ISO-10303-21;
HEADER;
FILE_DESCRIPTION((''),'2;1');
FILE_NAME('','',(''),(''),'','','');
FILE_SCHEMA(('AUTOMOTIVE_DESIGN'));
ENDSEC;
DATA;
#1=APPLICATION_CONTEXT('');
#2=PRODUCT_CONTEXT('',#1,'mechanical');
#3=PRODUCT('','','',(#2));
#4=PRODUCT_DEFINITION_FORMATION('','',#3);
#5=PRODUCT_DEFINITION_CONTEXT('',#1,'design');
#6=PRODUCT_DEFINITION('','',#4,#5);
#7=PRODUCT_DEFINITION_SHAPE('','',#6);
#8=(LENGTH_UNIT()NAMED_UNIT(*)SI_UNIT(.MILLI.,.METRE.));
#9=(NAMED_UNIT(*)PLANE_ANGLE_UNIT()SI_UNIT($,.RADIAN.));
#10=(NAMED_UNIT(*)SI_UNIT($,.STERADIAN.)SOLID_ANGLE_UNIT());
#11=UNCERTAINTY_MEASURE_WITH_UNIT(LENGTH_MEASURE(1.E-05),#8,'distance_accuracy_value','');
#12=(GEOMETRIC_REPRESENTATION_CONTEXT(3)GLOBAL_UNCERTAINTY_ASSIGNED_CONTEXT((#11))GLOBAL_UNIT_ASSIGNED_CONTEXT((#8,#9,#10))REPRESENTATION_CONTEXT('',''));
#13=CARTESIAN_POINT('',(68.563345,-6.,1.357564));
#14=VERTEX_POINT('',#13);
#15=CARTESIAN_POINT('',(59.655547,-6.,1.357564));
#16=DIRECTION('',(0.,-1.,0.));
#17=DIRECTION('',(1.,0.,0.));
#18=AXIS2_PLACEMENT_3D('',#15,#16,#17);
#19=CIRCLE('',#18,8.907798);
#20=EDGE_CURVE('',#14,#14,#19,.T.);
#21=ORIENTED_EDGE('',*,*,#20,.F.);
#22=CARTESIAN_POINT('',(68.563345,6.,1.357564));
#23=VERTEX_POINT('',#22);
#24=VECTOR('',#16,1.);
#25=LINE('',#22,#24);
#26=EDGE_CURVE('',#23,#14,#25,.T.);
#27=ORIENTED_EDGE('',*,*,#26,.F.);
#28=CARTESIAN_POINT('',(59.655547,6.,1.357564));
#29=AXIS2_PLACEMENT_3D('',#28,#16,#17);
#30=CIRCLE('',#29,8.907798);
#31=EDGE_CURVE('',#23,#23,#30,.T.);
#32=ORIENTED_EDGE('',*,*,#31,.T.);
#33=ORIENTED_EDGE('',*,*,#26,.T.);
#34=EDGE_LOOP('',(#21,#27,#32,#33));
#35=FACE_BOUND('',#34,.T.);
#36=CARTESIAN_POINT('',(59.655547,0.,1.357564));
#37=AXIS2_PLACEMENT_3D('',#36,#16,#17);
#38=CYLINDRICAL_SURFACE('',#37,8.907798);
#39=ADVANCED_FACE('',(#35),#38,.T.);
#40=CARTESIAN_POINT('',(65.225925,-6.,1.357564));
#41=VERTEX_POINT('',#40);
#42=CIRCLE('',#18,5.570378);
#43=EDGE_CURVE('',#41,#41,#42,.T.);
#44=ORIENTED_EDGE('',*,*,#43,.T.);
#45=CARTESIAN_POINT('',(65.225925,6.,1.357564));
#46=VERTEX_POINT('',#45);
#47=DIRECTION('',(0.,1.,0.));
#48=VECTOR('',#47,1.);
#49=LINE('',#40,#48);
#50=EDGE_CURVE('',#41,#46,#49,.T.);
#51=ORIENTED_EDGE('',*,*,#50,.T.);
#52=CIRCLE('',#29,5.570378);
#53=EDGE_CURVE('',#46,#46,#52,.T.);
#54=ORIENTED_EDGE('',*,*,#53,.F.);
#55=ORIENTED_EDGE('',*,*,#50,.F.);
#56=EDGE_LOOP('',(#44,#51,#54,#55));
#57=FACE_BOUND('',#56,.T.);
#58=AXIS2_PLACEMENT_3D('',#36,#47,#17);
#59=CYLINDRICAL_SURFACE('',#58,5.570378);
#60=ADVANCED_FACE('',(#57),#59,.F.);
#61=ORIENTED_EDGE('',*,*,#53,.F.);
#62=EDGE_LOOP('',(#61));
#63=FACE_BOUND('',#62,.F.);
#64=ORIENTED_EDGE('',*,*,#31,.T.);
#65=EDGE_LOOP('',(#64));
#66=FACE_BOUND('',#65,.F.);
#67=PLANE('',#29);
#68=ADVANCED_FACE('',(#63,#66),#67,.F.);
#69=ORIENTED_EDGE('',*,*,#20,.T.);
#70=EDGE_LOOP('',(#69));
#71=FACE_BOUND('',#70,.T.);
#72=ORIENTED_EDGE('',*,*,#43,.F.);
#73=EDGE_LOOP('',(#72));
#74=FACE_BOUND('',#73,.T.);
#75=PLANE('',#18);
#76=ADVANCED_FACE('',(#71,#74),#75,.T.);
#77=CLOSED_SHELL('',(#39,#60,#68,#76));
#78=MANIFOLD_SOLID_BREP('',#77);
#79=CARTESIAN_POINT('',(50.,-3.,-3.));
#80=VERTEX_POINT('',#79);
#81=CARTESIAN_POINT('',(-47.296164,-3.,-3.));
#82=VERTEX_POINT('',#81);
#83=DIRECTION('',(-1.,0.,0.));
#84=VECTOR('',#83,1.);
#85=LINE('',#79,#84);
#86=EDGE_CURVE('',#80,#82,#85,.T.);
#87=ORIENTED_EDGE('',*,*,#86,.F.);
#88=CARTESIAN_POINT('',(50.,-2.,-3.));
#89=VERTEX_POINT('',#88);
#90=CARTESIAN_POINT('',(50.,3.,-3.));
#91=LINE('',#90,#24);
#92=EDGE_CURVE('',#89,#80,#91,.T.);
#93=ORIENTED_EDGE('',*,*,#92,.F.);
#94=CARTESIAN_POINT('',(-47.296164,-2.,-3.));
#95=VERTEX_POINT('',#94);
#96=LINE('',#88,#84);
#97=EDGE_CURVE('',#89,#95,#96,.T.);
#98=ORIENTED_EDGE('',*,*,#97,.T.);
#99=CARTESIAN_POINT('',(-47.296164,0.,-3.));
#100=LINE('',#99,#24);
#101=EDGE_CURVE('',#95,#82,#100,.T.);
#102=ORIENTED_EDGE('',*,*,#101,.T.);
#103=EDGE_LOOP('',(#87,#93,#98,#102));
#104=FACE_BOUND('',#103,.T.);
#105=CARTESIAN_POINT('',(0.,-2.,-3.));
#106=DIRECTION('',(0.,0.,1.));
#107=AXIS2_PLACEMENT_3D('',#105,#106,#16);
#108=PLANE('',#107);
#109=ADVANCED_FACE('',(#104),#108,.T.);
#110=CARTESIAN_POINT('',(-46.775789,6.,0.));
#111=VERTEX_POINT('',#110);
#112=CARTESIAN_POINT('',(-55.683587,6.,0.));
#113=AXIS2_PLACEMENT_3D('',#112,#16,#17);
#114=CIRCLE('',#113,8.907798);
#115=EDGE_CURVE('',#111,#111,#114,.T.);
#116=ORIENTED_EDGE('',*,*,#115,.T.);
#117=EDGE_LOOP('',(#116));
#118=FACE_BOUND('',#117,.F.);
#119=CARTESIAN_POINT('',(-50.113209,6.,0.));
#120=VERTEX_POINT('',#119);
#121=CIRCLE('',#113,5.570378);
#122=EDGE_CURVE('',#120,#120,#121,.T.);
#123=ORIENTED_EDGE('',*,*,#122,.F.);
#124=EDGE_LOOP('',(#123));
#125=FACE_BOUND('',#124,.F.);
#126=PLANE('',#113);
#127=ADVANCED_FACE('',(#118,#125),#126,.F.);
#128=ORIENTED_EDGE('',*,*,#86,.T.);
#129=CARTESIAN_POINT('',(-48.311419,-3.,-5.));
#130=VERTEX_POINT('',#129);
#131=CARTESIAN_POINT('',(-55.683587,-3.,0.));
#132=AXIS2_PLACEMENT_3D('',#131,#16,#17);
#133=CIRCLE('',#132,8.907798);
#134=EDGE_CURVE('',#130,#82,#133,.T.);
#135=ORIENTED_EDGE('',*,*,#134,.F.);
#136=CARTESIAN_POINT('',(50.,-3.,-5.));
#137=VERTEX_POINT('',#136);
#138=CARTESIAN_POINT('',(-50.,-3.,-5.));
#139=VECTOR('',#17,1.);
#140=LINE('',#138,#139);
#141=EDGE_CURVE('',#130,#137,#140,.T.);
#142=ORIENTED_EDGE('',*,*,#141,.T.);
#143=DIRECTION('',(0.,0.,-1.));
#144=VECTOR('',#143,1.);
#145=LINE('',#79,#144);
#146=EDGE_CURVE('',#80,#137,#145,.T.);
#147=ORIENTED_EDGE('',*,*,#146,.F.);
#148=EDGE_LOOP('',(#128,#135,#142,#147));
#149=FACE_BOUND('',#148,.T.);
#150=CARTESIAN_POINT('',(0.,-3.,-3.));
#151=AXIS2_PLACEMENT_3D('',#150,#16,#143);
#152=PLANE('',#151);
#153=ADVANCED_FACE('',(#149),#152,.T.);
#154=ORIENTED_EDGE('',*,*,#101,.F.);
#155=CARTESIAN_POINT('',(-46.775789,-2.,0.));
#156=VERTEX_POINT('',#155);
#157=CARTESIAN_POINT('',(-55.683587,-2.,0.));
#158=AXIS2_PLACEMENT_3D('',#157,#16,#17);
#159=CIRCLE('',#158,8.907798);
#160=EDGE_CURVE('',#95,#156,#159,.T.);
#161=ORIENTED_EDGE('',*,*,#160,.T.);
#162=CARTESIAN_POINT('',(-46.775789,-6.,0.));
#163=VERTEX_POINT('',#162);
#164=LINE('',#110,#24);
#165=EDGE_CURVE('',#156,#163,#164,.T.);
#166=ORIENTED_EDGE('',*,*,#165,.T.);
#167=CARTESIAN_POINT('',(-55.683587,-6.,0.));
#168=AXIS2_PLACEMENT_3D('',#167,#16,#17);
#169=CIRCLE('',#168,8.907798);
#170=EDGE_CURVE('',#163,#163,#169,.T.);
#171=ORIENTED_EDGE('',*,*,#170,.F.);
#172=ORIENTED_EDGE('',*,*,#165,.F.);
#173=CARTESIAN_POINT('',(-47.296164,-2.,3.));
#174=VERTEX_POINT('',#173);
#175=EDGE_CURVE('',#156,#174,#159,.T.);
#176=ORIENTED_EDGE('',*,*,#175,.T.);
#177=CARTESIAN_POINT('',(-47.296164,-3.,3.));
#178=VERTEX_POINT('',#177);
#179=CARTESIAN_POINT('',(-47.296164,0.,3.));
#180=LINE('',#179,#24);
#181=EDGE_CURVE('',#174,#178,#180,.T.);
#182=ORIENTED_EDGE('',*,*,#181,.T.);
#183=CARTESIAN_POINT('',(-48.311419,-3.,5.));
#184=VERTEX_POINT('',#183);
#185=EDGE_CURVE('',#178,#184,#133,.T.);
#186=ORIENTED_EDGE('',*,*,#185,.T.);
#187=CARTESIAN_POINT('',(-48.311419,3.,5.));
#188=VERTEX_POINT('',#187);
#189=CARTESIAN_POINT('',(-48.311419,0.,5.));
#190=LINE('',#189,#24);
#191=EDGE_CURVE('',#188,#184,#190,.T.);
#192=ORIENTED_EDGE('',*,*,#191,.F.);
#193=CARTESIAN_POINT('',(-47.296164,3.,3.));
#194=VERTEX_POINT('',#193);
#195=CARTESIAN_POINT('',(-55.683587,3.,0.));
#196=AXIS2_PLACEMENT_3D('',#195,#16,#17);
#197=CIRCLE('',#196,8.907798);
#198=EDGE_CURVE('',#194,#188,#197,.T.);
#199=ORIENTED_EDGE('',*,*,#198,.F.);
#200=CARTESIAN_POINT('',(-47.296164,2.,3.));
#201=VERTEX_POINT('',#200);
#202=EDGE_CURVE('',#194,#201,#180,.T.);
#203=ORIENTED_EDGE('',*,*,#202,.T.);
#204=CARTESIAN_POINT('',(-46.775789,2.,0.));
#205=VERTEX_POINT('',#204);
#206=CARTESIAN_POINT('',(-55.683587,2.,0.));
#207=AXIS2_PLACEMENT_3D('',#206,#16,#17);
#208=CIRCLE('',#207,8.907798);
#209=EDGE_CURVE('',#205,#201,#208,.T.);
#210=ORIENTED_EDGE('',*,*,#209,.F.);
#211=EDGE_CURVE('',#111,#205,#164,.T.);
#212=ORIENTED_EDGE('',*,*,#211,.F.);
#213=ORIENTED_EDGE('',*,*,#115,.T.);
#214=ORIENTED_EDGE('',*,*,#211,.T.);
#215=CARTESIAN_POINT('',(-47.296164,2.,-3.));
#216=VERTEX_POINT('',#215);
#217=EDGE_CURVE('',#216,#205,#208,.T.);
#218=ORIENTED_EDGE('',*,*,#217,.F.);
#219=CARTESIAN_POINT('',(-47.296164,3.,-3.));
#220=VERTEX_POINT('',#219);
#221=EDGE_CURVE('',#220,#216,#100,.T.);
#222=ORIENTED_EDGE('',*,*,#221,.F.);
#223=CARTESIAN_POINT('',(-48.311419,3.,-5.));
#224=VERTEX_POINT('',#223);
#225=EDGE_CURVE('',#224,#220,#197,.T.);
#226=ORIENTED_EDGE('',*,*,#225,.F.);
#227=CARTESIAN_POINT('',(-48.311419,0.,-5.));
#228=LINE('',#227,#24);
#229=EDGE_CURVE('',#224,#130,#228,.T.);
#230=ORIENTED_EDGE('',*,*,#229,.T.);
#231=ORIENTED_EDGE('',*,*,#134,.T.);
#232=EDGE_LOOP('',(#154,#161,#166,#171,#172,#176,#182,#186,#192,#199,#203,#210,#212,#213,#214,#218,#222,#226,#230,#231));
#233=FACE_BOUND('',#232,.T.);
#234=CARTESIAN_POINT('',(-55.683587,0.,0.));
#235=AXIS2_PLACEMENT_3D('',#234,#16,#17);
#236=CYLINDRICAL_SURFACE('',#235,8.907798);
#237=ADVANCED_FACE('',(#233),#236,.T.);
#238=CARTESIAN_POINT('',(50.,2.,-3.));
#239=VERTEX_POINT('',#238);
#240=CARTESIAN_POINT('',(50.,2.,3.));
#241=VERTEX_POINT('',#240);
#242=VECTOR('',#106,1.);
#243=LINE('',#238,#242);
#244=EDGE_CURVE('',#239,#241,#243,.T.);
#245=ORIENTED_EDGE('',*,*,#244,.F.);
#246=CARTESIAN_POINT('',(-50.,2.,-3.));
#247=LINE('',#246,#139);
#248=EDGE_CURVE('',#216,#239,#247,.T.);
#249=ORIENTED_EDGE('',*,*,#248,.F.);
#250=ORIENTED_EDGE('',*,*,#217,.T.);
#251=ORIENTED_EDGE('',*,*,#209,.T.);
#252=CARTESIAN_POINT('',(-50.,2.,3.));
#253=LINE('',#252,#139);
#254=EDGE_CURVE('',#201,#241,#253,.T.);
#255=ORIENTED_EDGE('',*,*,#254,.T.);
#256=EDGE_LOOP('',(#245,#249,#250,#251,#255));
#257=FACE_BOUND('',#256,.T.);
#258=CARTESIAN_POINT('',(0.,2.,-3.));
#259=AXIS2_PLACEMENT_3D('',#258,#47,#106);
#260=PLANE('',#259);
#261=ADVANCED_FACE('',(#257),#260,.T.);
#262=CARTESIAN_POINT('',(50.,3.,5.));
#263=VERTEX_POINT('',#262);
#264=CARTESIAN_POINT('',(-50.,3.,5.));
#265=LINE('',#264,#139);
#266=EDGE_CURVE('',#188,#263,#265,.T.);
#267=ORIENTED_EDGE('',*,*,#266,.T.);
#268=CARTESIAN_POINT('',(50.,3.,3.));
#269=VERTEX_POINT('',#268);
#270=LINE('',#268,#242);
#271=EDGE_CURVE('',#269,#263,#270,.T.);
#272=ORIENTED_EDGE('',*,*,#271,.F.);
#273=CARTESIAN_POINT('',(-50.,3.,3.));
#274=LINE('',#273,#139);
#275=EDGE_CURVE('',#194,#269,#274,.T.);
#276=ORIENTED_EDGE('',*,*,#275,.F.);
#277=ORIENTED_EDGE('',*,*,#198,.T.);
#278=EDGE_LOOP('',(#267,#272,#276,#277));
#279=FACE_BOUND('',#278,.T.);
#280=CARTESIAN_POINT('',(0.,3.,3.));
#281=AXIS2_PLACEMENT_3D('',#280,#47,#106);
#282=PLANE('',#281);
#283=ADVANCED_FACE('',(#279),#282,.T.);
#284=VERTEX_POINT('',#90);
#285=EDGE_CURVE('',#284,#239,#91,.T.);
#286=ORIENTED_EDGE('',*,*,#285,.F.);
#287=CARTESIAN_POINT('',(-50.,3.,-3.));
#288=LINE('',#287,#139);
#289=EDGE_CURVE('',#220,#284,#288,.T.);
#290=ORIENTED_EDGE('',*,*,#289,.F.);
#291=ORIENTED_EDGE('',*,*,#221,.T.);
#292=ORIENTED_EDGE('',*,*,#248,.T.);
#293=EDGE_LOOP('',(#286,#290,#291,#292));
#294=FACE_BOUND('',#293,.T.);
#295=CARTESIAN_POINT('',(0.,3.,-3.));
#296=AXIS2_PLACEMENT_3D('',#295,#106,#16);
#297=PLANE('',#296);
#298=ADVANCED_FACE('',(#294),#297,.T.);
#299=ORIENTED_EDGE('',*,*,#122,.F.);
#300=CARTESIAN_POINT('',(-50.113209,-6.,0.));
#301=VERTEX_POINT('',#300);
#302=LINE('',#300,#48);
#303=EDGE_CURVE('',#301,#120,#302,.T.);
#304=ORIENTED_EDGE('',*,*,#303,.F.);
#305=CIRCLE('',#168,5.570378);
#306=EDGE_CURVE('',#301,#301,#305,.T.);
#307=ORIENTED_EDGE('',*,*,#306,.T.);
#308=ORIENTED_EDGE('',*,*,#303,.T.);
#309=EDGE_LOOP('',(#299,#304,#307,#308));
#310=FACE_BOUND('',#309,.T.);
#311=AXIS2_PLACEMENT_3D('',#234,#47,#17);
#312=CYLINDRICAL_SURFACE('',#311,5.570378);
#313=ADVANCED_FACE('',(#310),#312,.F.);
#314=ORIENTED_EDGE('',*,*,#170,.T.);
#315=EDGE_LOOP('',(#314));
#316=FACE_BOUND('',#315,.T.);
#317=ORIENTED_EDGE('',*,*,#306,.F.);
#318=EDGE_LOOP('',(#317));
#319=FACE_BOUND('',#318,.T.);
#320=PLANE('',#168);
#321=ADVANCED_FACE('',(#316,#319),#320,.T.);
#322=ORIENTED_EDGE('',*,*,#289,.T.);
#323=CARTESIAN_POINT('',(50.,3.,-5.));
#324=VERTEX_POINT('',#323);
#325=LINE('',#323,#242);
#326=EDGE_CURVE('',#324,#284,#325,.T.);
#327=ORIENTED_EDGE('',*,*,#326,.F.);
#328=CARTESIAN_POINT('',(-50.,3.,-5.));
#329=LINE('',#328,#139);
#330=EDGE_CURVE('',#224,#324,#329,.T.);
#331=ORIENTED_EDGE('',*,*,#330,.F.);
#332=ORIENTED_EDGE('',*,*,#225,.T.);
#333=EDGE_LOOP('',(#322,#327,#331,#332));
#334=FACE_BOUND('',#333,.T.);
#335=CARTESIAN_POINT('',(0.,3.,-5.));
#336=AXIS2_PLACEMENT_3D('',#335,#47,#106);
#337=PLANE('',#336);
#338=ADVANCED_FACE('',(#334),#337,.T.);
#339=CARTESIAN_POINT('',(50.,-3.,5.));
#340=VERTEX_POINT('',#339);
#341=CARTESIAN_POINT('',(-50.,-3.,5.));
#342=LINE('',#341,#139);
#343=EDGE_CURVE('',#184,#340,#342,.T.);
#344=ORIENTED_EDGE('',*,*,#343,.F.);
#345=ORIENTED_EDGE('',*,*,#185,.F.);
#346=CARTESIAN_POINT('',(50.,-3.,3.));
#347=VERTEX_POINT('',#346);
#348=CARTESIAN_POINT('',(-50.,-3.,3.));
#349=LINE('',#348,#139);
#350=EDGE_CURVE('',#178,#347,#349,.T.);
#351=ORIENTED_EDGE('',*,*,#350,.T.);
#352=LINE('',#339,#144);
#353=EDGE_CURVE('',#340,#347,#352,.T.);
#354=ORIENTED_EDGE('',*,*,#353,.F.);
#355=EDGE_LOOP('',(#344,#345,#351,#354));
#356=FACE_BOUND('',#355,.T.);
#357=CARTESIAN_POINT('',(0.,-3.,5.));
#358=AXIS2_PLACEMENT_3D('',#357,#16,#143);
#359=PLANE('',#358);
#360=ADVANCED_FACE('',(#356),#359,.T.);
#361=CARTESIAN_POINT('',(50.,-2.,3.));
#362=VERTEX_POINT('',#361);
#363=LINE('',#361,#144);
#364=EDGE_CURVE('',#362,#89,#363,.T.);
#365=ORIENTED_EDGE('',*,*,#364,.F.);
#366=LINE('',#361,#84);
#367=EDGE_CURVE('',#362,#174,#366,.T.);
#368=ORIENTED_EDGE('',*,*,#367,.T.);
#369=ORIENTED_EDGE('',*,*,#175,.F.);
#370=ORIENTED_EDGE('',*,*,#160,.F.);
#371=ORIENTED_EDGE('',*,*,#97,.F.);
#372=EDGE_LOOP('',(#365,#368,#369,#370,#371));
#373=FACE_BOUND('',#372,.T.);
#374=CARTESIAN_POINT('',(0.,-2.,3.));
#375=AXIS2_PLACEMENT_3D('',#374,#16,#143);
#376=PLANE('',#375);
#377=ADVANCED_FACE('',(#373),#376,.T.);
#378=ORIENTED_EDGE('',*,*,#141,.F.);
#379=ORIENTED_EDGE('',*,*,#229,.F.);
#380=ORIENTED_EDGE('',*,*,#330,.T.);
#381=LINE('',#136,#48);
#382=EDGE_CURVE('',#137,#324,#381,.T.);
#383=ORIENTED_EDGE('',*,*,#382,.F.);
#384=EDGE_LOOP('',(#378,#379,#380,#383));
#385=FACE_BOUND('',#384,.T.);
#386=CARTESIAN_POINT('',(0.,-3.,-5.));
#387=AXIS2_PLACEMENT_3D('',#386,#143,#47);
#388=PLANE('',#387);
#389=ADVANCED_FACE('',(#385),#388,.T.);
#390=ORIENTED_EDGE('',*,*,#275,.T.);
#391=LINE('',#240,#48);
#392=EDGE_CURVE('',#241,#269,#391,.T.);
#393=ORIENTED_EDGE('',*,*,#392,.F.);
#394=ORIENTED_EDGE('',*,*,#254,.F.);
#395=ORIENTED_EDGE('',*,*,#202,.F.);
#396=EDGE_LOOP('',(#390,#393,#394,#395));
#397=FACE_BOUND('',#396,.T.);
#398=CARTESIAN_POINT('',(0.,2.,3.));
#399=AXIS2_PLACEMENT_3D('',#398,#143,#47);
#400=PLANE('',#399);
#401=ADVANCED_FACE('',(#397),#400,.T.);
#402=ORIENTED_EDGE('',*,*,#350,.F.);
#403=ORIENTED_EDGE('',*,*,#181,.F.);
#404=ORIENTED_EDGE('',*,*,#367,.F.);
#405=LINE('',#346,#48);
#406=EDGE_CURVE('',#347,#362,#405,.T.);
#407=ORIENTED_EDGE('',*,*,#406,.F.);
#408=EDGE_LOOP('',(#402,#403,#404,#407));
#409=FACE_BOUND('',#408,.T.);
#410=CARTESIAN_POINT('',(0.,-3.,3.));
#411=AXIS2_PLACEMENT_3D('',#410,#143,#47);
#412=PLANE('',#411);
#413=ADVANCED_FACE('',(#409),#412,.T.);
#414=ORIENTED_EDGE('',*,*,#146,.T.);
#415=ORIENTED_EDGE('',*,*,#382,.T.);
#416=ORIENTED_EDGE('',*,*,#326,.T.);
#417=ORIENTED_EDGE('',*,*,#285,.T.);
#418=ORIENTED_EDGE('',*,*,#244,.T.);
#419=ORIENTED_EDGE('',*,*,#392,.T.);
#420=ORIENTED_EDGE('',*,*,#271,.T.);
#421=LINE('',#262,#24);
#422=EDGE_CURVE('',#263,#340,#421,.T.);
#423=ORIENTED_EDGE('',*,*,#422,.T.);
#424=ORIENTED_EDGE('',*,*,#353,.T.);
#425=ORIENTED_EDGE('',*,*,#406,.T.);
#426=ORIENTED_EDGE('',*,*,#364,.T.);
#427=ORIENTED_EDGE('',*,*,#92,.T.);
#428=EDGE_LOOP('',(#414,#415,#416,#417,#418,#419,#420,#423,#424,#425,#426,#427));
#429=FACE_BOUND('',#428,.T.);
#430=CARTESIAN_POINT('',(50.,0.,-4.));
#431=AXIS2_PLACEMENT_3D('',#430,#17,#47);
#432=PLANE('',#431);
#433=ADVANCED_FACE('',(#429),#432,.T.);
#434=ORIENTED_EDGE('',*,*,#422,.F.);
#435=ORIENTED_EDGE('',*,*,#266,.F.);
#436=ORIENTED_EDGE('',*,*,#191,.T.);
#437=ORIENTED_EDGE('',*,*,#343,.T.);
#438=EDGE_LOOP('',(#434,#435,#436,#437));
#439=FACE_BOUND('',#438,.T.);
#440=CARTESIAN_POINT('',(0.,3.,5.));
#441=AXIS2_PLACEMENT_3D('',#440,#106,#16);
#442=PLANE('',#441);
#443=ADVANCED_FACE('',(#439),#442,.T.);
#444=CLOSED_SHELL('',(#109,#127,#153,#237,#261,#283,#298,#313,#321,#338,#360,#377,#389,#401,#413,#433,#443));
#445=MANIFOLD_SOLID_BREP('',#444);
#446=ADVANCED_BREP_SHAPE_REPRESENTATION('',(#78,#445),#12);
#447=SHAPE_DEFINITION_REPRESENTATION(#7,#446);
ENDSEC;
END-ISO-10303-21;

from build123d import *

# Parameters (mm, degrees)
F1_DEPTH = 50
F2_R     = 8.9077979458
F2_R_2   = 5.5703781545
F3_DEPTH = 6


with BuildPart() as f1:
    # F0 (on Right) → F1 (new body, symmetric)
    with BuildSketch(Plane.YZ):
        Polygon((0, -3), (-2, -3), (-3, -3), (-3, -5), (0, -5), (3, -5), (3, -3), (2, -3), align=None)
        Polygon((0, 3), (-2, 3), (-2, -3), (0, -3), (0, 0), align=None)
        Polygon((2, 3), (0, 3), (0, 0), (0, -3), (2, -3), align=None)
        Polygon((0, 5), (-3, 5), (-3, 3), (-2, 3), (0, 3), (2, 3), (3, 3), (3, 5), align=None)
    extrude(amount=F1_DEPTH, both=True)

    # F2 (on Front) → F3 (join, symmetric)
    with BuildSketch(Plane.XZ):
        with Locations((-55.6835867465, 0)):
            Circle(F2_R)
        with Locations((-55.6835867465, 0)):
            Circle(F2_R_2, mode=Mode.SUBTRACT)
    extrude(amount=F3_DEPTH, both=True)


with BuildPart() as f3:
    # F2 (on Front) → F3, piece 2 (new body, symmetric)
    with BuildSketch(Plane.XZ):
        with Locations((59.655547142, 1.357564237)):
            Circle(F2_R)
        with Locations((59.655547142, 1.357564237)):
            Circle(F2_R_2, mode=Mode.SUBTRACT)
    extrude(amount=F3_DEPTH, both=True)


solid = Compound([f1.part, f3.part])
